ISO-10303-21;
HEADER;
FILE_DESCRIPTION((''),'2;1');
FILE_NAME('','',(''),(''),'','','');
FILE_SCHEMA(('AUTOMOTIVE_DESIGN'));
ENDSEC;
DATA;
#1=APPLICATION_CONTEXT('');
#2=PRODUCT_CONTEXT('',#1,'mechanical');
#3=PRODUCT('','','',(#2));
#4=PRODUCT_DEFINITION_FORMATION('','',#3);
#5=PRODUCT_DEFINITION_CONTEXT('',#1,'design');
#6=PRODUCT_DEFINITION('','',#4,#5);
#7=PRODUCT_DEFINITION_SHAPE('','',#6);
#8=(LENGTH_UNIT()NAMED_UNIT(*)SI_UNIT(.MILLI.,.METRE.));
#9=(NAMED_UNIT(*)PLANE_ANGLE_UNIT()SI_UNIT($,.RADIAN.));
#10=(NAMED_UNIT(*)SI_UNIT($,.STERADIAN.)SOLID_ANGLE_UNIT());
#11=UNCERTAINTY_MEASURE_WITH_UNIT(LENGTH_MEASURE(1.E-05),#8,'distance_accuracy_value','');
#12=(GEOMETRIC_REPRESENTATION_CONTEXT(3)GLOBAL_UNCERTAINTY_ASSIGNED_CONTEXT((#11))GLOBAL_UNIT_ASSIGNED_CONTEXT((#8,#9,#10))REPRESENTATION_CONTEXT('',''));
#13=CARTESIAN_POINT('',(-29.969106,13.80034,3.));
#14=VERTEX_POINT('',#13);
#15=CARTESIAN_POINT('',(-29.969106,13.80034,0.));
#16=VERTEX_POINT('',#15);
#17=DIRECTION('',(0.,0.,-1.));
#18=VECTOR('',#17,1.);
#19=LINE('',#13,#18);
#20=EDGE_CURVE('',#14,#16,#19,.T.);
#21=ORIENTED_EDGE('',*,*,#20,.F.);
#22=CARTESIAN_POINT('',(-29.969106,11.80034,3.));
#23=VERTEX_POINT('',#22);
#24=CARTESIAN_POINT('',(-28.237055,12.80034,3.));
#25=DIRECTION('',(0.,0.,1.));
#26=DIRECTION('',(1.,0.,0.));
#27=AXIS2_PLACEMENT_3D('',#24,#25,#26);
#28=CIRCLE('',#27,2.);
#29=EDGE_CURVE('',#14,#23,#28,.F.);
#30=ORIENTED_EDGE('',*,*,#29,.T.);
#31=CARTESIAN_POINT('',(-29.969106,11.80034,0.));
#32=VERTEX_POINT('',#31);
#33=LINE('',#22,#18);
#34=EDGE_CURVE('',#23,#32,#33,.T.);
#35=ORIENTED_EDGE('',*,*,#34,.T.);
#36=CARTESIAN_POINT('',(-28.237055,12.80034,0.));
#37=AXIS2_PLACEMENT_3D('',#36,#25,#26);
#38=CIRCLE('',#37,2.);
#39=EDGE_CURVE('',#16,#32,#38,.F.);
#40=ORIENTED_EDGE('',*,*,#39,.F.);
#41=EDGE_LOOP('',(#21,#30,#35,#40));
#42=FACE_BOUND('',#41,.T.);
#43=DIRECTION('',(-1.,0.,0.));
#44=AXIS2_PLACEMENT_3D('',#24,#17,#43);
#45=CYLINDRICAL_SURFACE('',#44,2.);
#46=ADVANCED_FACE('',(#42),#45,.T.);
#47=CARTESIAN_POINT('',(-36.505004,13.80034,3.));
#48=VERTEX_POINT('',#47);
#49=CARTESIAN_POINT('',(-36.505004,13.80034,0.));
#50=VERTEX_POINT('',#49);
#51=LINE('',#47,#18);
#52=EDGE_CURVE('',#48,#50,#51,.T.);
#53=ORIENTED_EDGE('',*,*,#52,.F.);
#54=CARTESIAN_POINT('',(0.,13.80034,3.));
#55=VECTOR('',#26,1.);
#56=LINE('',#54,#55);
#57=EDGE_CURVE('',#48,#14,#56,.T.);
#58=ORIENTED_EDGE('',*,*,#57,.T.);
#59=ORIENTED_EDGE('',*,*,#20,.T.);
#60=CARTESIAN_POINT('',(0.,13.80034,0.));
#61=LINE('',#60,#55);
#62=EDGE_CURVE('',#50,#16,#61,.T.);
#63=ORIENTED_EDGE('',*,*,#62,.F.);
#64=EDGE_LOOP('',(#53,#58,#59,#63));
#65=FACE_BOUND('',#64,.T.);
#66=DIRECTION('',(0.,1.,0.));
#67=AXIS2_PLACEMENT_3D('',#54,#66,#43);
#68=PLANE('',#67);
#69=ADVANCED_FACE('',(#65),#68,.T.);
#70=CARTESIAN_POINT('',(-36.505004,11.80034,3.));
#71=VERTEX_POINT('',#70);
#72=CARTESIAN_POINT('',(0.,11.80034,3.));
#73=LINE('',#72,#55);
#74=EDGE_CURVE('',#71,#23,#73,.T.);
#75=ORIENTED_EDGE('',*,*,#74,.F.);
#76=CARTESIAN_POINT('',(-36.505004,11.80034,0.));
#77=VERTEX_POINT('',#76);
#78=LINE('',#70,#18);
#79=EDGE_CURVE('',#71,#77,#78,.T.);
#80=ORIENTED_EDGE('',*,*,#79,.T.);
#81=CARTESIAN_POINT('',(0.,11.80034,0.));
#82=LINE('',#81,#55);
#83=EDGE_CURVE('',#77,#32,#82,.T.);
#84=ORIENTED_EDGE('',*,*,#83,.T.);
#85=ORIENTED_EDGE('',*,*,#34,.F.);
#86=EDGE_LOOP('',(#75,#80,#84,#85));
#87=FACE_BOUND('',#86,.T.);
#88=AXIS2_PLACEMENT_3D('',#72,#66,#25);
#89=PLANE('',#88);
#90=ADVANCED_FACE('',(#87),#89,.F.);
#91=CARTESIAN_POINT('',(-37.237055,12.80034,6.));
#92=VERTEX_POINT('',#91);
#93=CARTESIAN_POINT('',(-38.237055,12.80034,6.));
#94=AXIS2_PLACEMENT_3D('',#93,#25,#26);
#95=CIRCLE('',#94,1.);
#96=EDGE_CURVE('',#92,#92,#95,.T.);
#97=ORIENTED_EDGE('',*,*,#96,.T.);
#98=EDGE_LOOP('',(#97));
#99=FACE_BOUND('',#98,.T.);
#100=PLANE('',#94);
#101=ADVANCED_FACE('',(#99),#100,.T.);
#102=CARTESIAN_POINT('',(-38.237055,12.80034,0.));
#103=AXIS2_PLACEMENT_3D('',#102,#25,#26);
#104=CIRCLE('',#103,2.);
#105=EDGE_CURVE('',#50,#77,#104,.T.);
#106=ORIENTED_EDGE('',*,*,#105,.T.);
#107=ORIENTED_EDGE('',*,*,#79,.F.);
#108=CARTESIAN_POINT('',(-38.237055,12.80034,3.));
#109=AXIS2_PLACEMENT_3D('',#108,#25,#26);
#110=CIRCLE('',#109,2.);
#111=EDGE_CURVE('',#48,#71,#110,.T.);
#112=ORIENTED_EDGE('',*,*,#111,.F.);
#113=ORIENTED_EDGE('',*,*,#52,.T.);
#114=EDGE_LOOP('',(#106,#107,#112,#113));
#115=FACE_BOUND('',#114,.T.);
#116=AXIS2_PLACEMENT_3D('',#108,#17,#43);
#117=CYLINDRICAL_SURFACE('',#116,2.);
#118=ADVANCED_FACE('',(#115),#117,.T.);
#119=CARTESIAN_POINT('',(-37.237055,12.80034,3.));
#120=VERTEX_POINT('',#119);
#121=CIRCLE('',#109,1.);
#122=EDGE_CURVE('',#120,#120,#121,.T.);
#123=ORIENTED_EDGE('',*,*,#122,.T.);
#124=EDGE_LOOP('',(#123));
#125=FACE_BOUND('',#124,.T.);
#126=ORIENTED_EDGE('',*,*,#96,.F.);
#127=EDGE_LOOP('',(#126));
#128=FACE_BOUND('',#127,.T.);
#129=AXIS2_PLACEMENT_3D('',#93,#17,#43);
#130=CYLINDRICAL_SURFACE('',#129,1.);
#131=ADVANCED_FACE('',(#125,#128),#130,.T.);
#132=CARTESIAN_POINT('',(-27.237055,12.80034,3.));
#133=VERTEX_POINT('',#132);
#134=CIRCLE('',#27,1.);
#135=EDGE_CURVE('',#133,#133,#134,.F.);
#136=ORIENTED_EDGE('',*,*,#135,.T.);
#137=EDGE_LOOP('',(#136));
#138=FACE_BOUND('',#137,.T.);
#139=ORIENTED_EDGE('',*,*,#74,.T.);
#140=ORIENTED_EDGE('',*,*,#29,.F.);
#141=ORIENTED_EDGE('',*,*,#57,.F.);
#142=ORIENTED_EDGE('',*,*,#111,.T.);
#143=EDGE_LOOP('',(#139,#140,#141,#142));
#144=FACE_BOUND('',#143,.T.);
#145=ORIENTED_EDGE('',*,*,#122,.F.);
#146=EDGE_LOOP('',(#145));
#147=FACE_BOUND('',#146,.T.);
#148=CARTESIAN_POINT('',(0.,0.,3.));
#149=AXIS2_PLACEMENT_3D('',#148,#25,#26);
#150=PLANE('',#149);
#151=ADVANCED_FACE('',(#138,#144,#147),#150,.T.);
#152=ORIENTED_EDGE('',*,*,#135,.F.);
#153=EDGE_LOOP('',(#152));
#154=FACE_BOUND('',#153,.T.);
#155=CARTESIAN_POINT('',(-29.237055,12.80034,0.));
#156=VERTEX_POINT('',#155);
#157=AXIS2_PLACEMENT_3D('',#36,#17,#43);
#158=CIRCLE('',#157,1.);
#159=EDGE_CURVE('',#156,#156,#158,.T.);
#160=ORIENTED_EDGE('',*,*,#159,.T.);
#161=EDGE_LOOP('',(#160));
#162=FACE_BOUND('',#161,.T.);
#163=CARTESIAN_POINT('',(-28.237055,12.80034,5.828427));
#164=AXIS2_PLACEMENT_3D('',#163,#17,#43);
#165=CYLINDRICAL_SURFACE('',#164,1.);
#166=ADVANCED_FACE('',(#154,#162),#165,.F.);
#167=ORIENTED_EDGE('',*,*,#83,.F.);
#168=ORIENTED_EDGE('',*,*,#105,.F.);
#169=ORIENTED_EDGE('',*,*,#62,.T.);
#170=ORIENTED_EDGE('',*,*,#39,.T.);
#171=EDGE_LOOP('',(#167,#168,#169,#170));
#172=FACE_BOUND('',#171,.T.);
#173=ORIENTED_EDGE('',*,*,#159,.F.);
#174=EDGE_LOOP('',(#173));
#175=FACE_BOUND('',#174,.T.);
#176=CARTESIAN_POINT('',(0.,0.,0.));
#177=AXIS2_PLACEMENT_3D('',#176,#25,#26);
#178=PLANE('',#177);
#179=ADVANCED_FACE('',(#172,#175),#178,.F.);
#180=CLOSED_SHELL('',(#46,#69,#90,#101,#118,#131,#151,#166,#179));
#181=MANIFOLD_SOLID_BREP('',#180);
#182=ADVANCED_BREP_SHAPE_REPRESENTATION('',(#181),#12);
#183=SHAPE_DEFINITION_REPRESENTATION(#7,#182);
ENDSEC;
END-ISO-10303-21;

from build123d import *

# Parameters (mm, degrees)
BOSS_EXTRUDE1_DEPTH = 3
SKETCH3_R           = 1
BOSS_EXTRUDE2_DEPTH = 3
SKETCH4_R           = 1
CUT_EXTRUDE1_DEPTH  = 3


with BuildPart() as part:
    # Sketch2 → Boss-Extrude1 (new body)
    with BuildSketch(Plane.XY):
        with BuildLine():
            Line((-36.5050045, 13.800340042), (-29.969106115, 13.800340042))
            ThreePointArc((-29.969106115, 13.800340042), (-26.237055307, 12.800340042), (-29.969106115, 11.800340042))
            Line((-29.969106115, 11.800340042), (-36.5050045, 11.800340042))
            ThreePointArc((-36.5050045, 11.800340042), (-40.237055307, 12.800340042), (-36.5050045, 13.800340042))
        make_face()
    extrude(amount=BOSS_EXTRUDE1_DEPTH)

    # Sketch3 → Boss-Extrude2 (add)
    with BuildSketch(Plane.XY.offset(3)):
        with Locations((-38.237055307, 12.800340042)):
            Circle(SKETCH3_R)
    extrude(amount=BOSS_EXTRUDE2_DEPTH)

    # Sketch4 → Cut-Extrude1 (cut)
    with BuildSketch(Plane(origin=(0, 0, 0), x_dir=(-1, 0, 0), z_dir=(0, 0, -1))):
        with Locations((28.237055307, 12.800340042)):
            Circle(SKETCH4_R)
    extrude(amount=-CUT_EXTRUDE1_DEPTH, mode=Mode.SUBTRACT)


solid = part.part
